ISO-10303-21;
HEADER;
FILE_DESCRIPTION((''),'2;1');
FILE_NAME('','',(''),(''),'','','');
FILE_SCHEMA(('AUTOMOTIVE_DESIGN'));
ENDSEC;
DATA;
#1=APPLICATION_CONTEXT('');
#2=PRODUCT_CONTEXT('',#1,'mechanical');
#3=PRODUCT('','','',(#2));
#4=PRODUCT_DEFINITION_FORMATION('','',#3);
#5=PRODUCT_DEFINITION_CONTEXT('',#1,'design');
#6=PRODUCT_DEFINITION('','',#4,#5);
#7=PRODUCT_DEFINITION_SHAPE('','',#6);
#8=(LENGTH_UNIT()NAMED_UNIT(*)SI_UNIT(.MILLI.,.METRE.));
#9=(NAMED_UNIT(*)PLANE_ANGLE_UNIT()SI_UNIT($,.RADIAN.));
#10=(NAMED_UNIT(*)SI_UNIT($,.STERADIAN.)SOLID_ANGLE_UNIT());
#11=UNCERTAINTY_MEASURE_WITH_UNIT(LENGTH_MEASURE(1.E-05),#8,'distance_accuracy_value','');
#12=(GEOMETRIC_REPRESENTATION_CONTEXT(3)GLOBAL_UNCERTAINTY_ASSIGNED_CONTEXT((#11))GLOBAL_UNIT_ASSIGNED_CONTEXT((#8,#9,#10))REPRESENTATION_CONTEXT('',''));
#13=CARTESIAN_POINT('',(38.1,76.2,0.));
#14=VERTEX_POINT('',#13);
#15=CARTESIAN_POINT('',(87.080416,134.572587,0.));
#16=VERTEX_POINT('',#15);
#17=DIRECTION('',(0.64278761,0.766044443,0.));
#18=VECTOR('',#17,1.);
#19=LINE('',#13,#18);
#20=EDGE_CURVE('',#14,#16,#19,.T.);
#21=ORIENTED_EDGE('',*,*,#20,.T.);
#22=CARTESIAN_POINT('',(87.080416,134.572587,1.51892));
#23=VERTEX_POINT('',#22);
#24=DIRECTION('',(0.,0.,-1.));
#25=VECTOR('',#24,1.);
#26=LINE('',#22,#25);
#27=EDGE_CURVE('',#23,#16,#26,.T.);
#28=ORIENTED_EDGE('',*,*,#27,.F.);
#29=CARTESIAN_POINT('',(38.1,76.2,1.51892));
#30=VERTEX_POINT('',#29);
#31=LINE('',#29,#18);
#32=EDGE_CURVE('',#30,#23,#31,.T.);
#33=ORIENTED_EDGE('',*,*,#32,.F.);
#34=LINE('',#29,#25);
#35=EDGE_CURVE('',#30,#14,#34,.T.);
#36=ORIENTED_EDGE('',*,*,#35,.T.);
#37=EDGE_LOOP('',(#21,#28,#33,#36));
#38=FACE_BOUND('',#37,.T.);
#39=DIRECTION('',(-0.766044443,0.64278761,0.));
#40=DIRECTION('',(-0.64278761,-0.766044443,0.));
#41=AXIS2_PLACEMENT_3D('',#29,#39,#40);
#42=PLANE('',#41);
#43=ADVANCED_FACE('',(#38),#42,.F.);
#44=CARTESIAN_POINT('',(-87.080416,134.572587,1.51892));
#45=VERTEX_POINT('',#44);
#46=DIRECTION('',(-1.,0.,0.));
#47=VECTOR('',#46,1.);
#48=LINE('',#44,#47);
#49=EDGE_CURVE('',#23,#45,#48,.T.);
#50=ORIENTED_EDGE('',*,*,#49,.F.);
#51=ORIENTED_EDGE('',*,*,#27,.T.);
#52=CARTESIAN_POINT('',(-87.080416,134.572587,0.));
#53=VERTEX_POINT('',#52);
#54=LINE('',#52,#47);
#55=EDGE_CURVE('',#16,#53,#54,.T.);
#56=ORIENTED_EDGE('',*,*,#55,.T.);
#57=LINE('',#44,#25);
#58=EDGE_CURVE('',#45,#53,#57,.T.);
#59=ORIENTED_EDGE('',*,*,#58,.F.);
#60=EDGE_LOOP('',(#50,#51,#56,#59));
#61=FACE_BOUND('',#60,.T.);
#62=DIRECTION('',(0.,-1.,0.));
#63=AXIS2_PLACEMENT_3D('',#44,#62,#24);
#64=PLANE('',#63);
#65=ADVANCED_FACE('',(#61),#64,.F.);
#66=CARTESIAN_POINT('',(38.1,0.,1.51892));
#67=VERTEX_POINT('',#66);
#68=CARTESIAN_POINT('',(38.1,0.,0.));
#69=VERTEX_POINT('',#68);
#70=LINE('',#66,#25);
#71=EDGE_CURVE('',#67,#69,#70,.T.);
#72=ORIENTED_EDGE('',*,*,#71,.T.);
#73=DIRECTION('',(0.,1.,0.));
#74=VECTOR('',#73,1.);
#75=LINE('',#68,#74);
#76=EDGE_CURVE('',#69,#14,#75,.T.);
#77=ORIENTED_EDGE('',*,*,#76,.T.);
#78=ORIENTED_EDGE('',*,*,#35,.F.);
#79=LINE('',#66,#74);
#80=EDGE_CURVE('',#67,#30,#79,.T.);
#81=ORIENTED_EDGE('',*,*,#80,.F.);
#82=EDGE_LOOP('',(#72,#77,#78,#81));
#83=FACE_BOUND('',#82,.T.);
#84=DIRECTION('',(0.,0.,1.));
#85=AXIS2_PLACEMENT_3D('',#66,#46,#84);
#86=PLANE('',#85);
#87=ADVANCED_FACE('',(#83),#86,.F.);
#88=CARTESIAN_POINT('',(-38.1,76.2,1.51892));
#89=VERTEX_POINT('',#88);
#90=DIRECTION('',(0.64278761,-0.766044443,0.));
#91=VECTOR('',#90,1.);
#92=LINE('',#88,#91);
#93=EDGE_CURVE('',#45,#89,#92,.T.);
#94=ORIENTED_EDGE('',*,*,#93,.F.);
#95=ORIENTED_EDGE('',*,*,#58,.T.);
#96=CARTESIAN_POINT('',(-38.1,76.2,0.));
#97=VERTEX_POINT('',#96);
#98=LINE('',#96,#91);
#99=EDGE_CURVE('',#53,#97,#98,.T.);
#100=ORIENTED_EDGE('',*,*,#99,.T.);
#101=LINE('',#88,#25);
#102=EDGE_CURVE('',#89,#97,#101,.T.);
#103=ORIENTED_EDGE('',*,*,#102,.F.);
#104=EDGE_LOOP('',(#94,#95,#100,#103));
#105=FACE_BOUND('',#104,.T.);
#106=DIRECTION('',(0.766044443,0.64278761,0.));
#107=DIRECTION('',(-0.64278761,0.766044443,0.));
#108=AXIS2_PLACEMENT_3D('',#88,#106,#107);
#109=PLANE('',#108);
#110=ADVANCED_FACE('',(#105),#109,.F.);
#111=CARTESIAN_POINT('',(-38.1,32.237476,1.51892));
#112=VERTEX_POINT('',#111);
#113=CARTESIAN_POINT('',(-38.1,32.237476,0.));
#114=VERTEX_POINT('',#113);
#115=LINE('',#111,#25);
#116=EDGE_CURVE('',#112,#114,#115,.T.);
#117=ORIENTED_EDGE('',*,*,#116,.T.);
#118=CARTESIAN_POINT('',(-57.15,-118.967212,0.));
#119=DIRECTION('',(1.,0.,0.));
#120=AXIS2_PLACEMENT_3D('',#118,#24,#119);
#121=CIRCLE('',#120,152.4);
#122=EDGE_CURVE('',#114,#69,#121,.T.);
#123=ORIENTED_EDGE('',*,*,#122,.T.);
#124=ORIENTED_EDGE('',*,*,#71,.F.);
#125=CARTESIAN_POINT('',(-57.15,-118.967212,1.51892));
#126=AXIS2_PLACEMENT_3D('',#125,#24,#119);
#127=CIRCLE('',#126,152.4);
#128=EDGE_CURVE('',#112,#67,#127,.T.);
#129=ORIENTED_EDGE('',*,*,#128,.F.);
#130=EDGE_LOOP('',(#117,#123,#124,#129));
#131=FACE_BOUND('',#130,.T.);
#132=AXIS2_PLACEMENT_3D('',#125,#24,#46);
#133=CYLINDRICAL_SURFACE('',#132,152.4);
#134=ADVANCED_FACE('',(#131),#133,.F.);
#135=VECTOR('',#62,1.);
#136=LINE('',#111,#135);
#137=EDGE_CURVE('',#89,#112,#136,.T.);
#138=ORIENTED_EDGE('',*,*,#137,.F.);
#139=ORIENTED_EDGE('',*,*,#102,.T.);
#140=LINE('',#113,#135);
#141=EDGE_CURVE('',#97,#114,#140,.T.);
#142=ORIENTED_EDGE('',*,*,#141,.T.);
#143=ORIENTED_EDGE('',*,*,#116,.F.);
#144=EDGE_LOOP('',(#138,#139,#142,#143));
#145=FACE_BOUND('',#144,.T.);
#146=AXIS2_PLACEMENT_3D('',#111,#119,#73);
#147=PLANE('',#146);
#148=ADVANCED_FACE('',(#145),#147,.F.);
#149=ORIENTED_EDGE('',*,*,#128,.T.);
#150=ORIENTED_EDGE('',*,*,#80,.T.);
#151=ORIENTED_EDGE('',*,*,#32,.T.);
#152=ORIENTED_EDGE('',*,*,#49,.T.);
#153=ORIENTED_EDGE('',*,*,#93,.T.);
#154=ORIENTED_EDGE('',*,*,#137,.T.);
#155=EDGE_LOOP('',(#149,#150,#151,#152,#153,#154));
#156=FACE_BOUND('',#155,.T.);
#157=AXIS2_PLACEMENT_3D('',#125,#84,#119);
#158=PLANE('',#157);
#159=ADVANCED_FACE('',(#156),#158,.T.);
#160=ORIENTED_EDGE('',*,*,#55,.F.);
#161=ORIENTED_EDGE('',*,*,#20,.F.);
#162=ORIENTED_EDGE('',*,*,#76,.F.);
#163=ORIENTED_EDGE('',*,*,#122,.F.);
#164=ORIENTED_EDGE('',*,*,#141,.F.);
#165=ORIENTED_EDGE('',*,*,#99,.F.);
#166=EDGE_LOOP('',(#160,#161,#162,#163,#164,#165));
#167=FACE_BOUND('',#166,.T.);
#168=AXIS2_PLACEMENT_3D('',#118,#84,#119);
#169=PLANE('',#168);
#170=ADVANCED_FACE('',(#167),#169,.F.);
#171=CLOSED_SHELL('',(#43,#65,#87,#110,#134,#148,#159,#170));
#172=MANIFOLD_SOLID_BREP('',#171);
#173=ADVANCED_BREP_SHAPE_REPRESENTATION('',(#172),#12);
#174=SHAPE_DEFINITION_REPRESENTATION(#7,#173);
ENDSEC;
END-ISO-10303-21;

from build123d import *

# Parameters (mm, degrees)
FUNNEL_SIDE_PANEL_DEPTH = 1.51892


with BuildPart() as part:
    # Sketch1 → Funnel - Side Panel (new body)
    with BuildSketch(Plane.XY):
        with BuildLine():
            Line((38.1, 0), (38.1, 76.2))
            Line((38.1, 76.2), (87.080415858, 134.572586566))
            Line((87.080415858, 134.572586566), (-87.080415858, 134.572586566))
            Line((-87.080415858, 134.572586566), (-38.1, 76.2))
            Line((-38.1, 76.2), (-38.1, 32.237475558))
            ThreePointArc((-38.1, 32.237475558), (2.229594202, 21.388848892), (38.1, 0))
        make_face()
    extrude(amount=FUNNEL_SIDE_PANEL_DEPTH)


solid = part.part
